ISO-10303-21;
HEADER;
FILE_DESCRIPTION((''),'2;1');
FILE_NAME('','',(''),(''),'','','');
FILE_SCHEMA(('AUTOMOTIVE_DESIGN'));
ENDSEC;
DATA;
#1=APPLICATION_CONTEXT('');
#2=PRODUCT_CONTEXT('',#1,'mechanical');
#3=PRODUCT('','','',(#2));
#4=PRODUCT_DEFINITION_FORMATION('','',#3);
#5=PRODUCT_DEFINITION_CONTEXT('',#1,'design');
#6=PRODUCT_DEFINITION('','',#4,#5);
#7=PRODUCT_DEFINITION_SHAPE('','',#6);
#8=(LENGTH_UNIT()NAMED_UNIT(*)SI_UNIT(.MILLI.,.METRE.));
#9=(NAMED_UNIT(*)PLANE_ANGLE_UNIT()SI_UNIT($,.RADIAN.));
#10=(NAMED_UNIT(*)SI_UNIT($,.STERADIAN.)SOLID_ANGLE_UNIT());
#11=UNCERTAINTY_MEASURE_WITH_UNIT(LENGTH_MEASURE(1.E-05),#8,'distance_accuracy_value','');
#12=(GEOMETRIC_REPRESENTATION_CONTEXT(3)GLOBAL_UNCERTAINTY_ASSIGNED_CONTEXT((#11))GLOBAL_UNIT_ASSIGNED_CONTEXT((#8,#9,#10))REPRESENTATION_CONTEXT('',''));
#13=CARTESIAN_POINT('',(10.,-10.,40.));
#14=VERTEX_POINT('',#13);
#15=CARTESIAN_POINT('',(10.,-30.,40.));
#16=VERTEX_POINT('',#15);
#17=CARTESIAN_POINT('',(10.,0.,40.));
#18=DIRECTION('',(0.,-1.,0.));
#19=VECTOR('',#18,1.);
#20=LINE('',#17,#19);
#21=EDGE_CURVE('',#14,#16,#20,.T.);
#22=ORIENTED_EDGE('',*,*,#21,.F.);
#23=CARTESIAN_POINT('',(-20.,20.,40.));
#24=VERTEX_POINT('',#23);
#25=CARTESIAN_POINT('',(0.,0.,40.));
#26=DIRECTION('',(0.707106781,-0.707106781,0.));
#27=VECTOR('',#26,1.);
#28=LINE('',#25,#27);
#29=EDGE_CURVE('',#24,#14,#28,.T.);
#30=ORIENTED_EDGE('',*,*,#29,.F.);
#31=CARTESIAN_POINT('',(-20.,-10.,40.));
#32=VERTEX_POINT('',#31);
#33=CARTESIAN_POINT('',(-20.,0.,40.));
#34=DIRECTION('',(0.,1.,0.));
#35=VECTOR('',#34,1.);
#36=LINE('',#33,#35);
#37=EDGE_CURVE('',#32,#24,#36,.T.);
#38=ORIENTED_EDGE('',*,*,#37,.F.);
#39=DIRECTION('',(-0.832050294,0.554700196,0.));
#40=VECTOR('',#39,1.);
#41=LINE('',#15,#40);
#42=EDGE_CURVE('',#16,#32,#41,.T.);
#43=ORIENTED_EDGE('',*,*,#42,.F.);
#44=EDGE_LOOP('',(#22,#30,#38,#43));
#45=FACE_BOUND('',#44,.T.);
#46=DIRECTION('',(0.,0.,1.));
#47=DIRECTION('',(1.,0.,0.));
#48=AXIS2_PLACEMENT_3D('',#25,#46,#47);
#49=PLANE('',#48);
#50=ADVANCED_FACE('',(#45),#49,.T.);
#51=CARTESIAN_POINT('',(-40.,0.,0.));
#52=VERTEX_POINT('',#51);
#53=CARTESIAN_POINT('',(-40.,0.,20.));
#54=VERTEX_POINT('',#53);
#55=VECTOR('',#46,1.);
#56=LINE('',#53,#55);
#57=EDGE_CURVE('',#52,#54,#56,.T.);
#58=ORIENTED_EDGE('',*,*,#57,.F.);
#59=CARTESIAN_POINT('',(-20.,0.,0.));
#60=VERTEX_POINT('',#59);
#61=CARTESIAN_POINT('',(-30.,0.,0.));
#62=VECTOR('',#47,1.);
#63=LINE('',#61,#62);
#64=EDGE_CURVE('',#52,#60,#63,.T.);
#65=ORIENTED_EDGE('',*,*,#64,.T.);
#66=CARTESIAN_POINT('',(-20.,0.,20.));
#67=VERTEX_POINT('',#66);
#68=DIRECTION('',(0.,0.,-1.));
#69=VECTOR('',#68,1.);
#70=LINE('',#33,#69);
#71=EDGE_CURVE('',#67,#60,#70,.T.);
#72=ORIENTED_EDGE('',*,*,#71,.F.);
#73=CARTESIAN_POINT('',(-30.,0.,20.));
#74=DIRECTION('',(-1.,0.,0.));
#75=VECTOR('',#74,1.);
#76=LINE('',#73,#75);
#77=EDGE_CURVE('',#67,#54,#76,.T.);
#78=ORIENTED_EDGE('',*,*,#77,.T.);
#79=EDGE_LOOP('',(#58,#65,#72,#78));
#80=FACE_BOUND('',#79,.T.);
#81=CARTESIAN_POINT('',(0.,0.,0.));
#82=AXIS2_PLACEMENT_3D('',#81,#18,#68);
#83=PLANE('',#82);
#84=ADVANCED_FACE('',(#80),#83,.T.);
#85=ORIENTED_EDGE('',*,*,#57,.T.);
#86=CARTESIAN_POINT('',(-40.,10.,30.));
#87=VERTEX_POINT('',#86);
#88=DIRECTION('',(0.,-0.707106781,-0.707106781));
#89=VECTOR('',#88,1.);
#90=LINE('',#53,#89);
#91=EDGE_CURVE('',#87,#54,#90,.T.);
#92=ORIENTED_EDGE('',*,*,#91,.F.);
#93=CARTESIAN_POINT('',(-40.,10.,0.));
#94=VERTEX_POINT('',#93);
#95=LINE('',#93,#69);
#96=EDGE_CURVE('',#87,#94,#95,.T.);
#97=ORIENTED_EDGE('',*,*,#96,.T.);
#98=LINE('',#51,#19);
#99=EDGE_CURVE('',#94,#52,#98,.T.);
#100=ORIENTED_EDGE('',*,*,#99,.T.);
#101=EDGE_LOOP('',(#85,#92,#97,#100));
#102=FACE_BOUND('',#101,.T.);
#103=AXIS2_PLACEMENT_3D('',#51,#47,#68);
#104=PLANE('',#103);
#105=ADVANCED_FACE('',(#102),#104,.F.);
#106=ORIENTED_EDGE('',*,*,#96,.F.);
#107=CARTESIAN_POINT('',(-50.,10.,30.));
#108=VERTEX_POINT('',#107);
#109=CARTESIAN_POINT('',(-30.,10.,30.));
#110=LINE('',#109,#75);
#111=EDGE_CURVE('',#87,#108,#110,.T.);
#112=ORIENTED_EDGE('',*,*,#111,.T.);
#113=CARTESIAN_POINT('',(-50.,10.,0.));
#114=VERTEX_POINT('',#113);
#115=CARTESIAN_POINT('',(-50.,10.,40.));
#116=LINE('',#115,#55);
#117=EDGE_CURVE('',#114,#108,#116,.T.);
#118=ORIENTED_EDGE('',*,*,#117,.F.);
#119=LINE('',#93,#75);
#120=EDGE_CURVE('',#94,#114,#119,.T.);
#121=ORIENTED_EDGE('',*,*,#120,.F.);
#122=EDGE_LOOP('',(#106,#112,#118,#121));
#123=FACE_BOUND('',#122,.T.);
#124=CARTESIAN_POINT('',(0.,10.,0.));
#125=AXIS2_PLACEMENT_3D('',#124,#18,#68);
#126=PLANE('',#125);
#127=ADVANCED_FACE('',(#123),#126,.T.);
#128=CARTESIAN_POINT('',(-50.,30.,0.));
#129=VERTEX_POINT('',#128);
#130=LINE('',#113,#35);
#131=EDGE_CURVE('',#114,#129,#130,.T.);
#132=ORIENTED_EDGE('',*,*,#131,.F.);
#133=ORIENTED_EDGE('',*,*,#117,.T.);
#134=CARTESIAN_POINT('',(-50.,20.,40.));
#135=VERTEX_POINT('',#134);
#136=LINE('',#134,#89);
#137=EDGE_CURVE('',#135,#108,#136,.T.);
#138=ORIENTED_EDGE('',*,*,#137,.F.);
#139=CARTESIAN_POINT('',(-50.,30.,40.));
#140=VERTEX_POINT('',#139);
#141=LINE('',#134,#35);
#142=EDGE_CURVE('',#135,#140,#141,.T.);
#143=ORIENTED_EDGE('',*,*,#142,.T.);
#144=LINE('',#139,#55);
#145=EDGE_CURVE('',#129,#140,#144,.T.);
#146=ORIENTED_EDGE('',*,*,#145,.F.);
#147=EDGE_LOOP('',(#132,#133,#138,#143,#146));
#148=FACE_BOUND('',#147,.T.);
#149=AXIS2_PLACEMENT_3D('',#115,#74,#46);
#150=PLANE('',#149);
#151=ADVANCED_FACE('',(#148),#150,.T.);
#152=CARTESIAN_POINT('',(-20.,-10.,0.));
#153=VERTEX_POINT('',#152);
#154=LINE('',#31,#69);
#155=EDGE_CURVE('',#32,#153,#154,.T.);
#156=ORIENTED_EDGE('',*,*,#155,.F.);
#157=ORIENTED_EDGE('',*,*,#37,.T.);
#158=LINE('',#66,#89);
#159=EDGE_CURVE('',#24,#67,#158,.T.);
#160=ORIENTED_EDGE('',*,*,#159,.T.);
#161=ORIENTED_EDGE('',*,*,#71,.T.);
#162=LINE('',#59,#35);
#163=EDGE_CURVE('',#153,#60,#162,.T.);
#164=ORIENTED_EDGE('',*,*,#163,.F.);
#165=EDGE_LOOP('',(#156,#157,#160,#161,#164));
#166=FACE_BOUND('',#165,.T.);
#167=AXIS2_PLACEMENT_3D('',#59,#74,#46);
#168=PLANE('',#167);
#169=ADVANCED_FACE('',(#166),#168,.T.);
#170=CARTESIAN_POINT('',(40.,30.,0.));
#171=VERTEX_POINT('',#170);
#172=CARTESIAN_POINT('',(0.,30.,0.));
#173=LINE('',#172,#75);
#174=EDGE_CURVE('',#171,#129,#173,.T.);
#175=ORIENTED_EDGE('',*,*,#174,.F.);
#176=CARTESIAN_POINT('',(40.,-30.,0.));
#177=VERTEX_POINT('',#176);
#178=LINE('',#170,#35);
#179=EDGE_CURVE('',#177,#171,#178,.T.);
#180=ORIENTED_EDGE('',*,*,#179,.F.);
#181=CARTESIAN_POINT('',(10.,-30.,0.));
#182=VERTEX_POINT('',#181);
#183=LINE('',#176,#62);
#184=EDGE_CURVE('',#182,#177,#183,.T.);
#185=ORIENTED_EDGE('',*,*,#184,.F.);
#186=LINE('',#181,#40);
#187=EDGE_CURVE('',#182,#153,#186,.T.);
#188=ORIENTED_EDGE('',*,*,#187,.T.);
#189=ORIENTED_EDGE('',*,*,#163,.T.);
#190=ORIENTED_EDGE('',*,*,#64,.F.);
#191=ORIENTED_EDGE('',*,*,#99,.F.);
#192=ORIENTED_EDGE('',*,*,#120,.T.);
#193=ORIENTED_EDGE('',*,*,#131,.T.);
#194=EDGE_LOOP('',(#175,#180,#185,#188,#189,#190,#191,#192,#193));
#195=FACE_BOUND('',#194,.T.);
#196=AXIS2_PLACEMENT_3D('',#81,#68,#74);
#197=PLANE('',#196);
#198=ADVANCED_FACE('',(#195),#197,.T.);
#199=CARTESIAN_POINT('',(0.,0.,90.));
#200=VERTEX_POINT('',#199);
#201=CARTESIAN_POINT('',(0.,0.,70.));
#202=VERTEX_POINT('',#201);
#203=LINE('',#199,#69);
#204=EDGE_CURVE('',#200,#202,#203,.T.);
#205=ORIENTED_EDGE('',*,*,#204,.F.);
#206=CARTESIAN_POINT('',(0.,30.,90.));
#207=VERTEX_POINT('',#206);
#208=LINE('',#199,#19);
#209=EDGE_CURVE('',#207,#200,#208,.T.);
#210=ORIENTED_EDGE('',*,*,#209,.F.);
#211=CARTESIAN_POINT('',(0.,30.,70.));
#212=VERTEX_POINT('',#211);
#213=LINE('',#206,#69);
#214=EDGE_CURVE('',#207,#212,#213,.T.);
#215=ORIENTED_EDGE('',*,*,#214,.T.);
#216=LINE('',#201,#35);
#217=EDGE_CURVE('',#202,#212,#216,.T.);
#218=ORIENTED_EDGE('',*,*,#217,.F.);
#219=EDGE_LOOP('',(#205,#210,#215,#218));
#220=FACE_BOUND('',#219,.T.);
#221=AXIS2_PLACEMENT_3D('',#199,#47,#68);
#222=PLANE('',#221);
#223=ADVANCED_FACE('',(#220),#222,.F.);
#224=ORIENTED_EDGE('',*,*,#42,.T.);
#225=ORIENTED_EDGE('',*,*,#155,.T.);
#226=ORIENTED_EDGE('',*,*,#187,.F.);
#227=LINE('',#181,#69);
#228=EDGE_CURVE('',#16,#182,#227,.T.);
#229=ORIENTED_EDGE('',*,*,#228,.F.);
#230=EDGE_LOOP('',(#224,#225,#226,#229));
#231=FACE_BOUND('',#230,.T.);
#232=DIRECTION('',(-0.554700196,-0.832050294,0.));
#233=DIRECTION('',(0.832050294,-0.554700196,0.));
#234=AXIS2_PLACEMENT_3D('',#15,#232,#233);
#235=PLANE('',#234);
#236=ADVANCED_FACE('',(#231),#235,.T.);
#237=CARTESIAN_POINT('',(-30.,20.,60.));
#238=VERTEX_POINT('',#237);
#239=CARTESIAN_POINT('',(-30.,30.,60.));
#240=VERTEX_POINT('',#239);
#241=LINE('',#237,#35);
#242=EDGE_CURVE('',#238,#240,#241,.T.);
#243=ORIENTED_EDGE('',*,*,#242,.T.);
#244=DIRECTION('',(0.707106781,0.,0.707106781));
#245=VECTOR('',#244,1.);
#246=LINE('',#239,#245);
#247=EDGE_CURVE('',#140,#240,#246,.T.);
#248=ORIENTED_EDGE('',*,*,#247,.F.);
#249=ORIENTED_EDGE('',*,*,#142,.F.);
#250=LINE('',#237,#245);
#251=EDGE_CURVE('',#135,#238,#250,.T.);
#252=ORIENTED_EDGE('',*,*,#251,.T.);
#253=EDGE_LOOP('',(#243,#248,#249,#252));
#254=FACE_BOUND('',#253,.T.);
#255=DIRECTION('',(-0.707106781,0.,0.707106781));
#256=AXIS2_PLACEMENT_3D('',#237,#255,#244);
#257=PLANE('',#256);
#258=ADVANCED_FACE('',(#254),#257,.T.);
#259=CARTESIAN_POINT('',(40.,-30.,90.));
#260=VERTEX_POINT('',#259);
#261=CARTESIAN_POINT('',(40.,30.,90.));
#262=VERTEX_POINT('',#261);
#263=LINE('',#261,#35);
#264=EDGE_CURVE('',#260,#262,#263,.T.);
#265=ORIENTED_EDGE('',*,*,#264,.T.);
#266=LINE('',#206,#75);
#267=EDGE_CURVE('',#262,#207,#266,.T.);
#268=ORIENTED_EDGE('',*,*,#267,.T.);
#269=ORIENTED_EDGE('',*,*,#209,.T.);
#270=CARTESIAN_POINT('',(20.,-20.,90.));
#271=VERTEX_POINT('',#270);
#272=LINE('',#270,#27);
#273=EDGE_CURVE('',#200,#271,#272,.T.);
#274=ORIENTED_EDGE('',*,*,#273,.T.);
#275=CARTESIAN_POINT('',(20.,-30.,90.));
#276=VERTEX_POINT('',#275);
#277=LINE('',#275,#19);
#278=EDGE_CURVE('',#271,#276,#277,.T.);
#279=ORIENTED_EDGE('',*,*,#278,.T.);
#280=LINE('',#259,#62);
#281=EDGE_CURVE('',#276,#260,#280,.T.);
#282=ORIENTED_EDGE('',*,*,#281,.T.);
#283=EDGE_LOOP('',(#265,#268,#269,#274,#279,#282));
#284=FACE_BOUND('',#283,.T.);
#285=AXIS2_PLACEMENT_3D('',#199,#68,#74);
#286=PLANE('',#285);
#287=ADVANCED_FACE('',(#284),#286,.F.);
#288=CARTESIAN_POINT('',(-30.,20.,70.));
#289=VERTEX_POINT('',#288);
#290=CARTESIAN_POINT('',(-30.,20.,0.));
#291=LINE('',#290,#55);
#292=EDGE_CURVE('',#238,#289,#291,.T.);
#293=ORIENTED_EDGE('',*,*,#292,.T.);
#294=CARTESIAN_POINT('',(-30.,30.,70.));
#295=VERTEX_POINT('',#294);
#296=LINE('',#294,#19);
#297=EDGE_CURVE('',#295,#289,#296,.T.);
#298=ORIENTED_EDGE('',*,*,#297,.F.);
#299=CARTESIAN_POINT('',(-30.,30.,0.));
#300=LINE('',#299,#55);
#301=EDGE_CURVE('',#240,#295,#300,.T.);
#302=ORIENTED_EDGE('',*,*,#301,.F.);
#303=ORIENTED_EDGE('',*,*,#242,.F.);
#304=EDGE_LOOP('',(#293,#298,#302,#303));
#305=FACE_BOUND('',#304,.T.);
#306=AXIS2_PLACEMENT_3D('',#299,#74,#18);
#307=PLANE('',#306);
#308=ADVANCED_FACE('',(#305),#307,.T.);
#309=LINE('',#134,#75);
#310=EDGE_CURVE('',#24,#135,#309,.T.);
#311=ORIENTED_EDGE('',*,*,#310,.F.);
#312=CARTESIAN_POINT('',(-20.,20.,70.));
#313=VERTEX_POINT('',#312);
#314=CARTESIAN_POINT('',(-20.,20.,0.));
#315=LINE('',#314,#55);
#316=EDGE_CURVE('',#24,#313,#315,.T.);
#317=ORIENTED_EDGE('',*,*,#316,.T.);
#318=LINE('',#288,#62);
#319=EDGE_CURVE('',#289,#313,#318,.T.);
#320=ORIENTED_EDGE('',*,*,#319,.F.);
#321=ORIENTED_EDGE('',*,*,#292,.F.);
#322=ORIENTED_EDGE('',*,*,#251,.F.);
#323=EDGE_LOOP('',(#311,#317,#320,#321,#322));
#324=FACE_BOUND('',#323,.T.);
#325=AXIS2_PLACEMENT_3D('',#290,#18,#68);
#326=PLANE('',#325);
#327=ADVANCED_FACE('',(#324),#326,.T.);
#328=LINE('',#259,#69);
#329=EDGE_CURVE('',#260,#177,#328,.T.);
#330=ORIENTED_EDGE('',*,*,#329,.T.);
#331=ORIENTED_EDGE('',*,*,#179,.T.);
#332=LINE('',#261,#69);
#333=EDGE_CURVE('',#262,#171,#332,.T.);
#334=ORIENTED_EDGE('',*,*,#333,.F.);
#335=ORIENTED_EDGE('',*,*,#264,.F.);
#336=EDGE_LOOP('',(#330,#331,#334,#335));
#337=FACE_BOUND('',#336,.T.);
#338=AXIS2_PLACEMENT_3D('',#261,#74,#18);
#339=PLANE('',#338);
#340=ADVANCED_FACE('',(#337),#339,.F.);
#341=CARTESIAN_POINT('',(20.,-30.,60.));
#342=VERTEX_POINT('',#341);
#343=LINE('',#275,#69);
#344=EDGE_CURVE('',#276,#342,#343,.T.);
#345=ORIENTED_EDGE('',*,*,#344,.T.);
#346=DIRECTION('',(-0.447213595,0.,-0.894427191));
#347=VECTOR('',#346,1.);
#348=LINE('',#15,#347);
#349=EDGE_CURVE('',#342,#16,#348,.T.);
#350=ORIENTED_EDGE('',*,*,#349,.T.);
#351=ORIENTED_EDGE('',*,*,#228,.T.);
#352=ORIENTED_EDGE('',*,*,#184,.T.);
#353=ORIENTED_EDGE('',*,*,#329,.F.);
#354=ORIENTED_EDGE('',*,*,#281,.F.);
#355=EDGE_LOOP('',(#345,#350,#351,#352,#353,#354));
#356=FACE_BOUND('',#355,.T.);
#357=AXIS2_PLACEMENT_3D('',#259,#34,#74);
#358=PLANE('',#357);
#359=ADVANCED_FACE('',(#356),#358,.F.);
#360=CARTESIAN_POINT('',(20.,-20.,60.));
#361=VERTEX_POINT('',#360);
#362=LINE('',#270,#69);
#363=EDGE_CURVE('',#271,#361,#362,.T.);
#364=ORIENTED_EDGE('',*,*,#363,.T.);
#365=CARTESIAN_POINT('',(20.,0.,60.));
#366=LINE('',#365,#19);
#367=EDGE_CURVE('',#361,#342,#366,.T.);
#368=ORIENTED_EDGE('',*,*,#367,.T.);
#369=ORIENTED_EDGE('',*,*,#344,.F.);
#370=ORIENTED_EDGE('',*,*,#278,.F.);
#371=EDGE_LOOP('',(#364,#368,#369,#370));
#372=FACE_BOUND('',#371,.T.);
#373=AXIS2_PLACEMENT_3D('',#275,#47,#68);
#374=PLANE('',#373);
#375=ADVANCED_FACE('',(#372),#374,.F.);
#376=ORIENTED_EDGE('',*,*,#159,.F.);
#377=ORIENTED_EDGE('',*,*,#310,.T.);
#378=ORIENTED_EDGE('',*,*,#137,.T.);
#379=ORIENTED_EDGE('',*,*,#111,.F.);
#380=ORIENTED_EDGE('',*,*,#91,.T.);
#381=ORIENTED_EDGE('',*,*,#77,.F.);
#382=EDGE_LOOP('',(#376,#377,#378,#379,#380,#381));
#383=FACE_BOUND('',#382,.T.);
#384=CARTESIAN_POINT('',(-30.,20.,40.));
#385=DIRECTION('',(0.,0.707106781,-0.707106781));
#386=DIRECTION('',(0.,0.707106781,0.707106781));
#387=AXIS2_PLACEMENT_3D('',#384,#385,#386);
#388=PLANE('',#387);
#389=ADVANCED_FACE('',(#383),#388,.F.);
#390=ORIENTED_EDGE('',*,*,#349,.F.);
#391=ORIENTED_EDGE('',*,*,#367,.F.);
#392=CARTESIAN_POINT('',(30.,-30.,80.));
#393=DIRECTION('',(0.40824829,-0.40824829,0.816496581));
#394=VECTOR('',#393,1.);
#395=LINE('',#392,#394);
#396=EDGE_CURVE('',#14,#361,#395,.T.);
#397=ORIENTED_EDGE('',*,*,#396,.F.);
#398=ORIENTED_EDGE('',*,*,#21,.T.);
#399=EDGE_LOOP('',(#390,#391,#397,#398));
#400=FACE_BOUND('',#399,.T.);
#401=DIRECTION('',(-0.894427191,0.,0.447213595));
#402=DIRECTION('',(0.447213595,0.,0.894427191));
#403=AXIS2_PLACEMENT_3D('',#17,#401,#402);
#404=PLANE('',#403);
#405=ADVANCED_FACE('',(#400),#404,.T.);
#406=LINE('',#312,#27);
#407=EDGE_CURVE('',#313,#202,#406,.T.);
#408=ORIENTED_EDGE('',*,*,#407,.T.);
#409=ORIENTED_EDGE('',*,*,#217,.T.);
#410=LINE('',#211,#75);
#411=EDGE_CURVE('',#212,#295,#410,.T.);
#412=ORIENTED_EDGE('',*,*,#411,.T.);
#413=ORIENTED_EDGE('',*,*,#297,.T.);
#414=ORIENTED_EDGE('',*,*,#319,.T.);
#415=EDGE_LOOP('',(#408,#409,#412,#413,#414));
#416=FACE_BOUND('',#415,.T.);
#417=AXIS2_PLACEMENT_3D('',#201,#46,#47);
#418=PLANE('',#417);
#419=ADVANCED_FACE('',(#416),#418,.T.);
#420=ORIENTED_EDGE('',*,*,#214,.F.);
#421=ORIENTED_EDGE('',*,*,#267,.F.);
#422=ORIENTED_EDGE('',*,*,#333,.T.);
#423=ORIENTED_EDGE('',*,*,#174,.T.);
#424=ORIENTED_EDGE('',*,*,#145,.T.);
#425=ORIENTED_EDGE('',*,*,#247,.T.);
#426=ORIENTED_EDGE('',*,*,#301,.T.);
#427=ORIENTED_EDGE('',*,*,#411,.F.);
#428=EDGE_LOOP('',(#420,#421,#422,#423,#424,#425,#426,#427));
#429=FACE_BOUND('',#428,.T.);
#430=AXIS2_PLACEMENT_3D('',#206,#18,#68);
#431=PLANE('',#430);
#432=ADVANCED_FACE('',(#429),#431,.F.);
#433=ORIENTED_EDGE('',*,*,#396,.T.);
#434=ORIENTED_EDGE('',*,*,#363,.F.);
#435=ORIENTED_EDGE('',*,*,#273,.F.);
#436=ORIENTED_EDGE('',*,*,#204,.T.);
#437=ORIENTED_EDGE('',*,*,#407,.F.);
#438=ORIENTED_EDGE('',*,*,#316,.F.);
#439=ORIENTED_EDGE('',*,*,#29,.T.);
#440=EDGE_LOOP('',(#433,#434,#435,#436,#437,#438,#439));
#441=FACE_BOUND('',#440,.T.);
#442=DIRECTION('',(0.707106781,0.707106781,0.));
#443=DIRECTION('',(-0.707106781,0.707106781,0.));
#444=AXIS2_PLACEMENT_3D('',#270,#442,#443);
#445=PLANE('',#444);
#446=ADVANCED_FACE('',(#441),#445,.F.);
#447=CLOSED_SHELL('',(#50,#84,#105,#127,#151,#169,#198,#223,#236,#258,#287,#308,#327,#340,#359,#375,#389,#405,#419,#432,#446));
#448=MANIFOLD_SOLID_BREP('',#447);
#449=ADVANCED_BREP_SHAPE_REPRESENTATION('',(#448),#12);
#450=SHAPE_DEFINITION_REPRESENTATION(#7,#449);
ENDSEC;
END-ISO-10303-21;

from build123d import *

# Parameters (mm, degrees)
BOSS_EXTRUDE1_DEPTH  = 90
BOSS_EXTRUDE2_DEPTH  = 70
BOSS_EXTRUDE4_DEPTH  = 10
SKETCH4_W            = 20
SKETCH4_H            = 40
BOSS_EXTRUDE6_DEPTH  = 20
CUT_EXTRUDE1_DEPTH   = 20
SKETCH9_W            = 20
SKETCH9_H            = 20
BOSS_EXTRUDE8_DEPTH  = 10
SKETCH10_W           = 20
SKETCH10_H           = 10
CUT_EXTRUDE2_DEPTH   = 10
BOSS_EXTRUDE9_START  = -10
BOSS_EXTRUDE9_DEPTH  = 20
SKETCH13_W           = 26.1880454
SKETCH13_H           = 20
BOSS_EXTRUDE13_DEPTH = 30
CUT_EXTRUDE3_DEPTH   = 10
BOSS_EXTRUDE14_DEPTH = 30
BOSS_EXTRUDE15_DEPTH = 30
BOSS_EXTRUDE16_DEPTH = 40
BOSS_EXTRUDE17_DEPTH = 40
BOSS_EXTRUDE18_DEPTH = 10


with BuildPart() as part:
    # Sketch1 → Boss-Extrude1 (new body)
    with BuildSketch(Plane.XY):
        Polygon((0, 0), (0, 30), (40, 30), (40, -30), (20, -30), (20, -20), align=None)
    extrude(amount=BOSS_EXTRUDE1_DEPTH)

    # Sketch2 → Boss-Extrude2 (add)
    with BuildSketch(Plane.XY.offset(70)):
        Polygon((0, 30), (-30, 30), (-30, 20), (-20, 20), (0, 0), align=None)
    extrude(amount=-BOSS_EXTRUDE2_DEPTH)

    # Sketch3 → Boss-Extrude4 (add)
    with BuildSketch(Plane(origin=(0, 30, 0), x_dir=(1, 0, 0), z_dir=(0, 1, 0))):
        Polygon((-30, -60), (-50, -40), (-30, -40), align=None)
    extrude(amount=-BOSS_EXTRUDE4_DEPTH)

    # Sketch4 → Boss-Extrude6 (add)
    with BuildSketch(Plane(origin=(0, 30, 0), x_dir=(1, 0, 0), z_dir=(0, 1, 0))):
        with Locations((-40, -20)):
            Rectangle(SKETCH4_W, SKETCH4_H)
    extrude(amount=-BOSS_EXTRUDE6_DEPTH)

    # Sketch6 → Cut-Extrude1 (cut)
    with BuildSketch(Plane.ZY.offset(50)):
        Polygon((40, 20), (30, 10), (40, 10), align=None)
    extrude(amount=-CUT_EXTRUDE1_DEPTH, mode=Mode.SUBTRACT)

    # Sketch9 → Boss-Extrude8 (add)
    with BuildSketch(Plane.XZ.offset(-10)):
        with Locations((-40, 10)):
            Rectangle(SKETCH9_W, SKETCH9_H)
    extrude(amount=BOSS_EXTRUDE8_DEPTH)

    # Sketch10 → Cut-Extrude2 (cut)
    with BuildSketch(Plane.ZY.offset(50)):
        with Locations((10, 5)):
            Rectangle(SKETCH10_W, SKETCH10_H)
    extrude(amount=-CUT_EXTRUDE2_DEPTH, mode=Mode.SUBTRACT)

    # Sketch11 → Boss-Extrude9 (add)
    with BuildSketch(Plane(origin=(-30, 0, 0), x_dir=(0, 0, -1), z_dir=(1, 0, 0)).offset(BOSS_EXTRUDE9_START)):
        Polygon((-20, 0), (-30, 10), (-20, 10), align=None)
    extrude(amount=BOSS_EXTRUDE9_DEPTH)

    # Sketch13 → Boss-Extrude13 (add)
    with BuildSketch(Plane(origin=(0, 0, 0), x_dir=(-1, 0, 0), z_dir=(0, 0, -1))):
        with Locations((16.9059773, 10)):
            Rectangle(SKETCH13_W, SKETCH13_H)
    extrude(amount=-BOSS_EXTRUDE13_DEPTH)

    # Sketch14 → Cut-Extrude3 (cut)
    with BuildSketch(Plane.ZY.offset(30)):
        Polygon((20, 0), (30, 10), (30, 0), align=None)
    extrude(amount=-CUT_EXTRUDE3_DEPTH, mode=Mode.SUBTRACT)

    # Sketch15 → Boss-Extrude14 (add)
    with BuildSketch(Plane.ZY.offset(50)):
        Polygon((30, 10), (30, 20), (40, 20), align=None)
    extrude(amount=-BOSS_EXTRUDE14_DEPTH)

    # Sketch16 → Boss-Extrude15 (add)
    with BuildSketch(Plane.XZ.offset(30)):
        Polygon((20, 0), (10, 0), (10, 40), (20, 60), align=None)
    extrude(amount=-BOSS_EXTRUDE15_DEPTH)

    # Sketch17 → Boss-Extrude16 (add)
    with BuildSketch(Plane(origin=(0, 0, 0), x_dir=(-1, 0, 0), z_dir=(0, 0, -1))):
        Polygon((-10, -30), (20, -10), (20, 0), (0, 0), (-10, -10), align=None)
    extrude(amount=-BOSS_EXTRUDE16_DEPTH)

    # Sketch18 → Boss-Extrude17 (add)
    with BuildSketch(Plane(origin=(0, 0, 0), x_dir=(-1, 0, 0), z_dir=(0, 0, -1))):
        Polygon((3.8119546, 3.8119546), (3.8119546, 0), (0, 0), align=None)
    extrude(amount=-BOSS_EXTRUDE17_DEPTH)

    # Sketch19 → Boss-Extrude18 (add)
    with BuildSketch(Plane.XY.offset(30)):
        Polygon((-3.8119546, 3.8119546), (-3.8119546, 0), (-20, 0), (-20, 20), align=None)
    extrude(amount=BOSS_EXTRUDE18_DEPTH)


solid = part.part
